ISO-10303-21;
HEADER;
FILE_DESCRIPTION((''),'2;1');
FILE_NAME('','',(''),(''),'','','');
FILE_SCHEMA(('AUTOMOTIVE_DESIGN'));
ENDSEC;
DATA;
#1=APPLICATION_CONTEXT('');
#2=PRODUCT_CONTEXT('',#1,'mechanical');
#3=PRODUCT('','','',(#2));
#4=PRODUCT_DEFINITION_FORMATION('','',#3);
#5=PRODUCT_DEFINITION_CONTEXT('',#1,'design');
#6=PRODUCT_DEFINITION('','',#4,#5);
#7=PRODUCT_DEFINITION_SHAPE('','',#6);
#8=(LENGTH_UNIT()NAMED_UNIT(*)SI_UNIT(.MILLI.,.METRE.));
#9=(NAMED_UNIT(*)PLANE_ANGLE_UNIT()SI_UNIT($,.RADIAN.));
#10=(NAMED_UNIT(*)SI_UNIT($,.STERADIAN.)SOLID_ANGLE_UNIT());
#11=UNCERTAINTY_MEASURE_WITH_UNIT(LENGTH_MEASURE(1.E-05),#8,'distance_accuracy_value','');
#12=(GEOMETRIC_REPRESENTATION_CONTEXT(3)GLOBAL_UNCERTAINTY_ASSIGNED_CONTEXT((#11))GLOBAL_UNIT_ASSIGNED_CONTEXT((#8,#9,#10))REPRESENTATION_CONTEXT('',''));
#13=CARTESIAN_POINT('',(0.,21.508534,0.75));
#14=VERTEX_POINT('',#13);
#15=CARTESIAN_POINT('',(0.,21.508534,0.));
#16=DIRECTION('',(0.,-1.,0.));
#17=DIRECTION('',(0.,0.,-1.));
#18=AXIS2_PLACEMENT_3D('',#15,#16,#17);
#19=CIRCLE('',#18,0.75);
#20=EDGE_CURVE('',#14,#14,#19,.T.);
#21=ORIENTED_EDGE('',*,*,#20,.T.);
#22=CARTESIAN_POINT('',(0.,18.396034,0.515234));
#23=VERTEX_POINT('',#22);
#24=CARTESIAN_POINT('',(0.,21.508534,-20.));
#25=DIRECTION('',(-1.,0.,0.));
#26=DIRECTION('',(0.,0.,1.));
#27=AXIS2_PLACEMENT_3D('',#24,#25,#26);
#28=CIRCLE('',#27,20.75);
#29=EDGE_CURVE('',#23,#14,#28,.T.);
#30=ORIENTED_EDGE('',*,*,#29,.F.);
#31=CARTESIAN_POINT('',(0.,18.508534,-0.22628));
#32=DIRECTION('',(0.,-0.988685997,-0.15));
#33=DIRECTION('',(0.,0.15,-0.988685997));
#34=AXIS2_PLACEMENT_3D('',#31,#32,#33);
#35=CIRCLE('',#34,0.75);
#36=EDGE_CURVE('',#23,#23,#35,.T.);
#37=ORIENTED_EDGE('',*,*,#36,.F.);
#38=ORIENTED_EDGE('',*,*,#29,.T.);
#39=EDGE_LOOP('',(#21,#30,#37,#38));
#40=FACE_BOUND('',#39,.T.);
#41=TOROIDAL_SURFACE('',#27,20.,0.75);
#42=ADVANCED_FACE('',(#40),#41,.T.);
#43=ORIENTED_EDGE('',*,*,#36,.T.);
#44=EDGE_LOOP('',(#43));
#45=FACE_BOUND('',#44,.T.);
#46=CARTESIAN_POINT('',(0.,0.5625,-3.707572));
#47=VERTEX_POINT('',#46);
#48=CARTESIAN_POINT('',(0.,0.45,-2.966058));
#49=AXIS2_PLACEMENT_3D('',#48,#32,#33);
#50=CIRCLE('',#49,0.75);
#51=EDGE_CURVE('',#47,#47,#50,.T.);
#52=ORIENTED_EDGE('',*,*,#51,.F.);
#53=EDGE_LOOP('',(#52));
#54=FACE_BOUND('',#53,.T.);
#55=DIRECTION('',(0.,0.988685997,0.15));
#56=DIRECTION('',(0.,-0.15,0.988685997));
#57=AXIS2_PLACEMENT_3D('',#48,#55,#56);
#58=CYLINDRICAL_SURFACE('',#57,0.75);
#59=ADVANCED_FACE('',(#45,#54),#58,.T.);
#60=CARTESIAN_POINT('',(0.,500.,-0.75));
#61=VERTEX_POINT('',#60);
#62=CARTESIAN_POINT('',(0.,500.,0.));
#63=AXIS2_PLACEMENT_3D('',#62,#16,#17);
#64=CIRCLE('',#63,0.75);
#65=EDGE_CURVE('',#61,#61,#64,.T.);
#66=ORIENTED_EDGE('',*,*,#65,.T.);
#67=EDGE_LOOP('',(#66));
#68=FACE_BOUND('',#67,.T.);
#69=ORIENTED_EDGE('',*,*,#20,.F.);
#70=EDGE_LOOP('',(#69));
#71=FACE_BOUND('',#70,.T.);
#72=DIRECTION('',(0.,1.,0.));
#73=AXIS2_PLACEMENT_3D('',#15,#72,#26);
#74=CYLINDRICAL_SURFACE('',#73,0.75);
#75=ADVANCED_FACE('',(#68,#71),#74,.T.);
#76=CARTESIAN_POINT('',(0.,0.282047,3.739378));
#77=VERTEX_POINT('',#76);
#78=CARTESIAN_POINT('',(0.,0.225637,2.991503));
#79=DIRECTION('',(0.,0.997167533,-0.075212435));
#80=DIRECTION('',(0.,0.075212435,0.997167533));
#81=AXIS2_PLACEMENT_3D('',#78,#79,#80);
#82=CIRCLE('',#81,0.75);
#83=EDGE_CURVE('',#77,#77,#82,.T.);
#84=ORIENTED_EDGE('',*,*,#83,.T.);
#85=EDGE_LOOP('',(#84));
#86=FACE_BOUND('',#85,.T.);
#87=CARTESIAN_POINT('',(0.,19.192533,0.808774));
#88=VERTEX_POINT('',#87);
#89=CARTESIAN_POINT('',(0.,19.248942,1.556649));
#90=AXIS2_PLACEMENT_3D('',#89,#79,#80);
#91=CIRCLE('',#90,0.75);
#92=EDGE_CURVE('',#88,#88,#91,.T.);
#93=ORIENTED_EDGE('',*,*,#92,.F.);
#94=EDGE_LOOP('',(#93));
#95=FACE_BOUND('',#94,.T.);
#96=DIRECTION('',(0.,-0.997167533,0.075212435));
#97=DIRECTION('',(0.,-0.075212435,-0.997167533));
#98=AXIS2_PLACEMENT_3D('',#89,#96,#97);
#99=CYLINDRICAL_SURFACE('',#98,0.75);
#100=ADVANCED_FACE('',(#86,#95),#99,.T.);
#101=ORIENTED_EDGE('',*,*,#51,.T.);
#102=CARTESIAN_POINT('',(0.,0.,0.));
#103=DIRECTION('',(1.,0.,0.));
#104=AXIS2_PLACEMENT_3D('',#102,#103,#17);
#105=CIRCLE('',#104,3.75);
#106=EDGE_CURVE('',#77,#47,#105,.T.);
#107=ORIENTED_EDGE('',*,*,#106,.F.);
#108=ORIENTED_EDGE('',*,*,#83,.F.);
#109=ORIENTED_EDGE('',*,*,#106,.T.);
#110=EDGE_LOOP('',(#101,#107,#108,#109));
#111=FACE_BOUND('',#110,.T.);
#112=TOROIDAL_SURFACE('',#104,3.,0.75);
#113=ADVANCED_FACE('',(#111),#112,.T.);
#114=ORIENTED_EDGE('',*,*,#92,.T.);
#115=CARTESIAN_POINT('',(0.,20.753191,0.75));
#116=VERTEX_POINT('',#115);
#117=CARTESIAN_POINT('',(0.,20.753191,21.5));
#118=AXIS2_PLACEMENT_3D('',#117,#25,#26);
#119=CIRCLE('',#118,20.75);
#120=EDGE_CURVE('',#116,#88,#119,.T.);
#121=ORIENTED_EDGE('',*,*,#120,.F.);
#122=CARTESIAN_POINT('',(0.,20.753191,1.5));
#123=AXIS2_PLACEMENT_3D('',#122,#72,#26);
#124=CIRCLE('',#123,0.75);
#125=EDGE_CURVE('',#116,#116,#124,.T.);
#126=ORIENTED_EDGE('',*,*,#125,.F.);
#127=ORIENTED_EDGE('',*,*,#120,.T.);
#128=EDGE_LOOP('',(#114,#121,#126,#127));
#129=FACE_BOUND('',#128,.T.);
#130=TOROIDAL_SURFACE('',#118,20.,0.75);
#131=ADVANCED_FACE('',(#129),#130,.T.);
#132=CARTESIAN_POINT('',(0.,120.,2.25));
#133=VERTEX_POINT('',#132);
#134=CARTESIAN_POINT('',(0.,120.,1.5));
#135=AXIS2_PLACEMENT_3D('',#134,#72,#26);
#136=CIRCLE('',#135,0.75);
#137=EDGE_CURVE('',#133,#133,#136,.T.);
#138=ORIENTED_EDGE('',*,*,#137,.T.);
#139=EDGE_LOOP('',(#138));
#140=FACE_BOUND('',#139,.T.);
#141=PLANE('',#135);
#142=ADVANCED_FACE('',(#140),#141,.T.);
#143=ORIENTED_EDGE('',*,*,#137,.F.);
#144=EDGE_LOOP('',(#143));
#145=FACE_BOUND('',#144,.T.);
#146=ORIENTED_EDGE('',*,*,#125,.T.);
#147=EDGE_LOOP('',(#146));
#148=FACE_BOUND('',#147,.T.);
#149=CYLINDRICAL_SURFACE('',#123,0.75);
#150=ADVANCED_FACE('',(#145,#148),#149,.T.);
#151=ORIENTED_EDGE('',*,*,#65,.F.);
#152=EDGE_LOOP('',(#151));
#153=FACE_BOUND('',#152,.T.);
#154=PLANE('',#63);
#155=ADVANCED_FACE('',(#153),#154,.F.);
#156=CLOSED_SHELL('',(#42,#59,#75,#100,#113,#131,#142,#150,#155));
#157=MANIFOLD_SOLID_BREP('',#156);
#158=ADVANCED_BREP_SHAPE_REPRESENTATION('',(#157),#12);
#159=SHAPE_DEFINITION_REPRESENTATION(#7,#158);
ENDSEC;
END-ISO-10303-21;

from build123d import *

# Parameters (mm, degrees)
SKETCH2_R = 0.75


with BuildPart() as part:
    # Sweep1: sweep along a path in Sketch1
    with BuildLine(Plane(origin=(0, 0, 0), x_dir=(0, 0, -1), z_dir=(1, 0, 0))) as sweep1_path:
        Line((0, 500), (0, 21.508533778))
        ThreePointArc((0, 21.508533778), (0.056650248, 20.004272941), (0.226280067, 18.508533778))
        Line((0.226280067, 18.508533778), (2.96605799, 0.45))
        ThreePointArc((2.96605799, 0.45), (0.112900451, -2.997874829), (-2.9915026, 0.225637305))
        Line((-2.9915026, 0.225637305), (-1.556649332, 19.248942344))
        ThreePointArc((-1.556649332, 19.248942344), (-1.514167351, 20.000533536), (-1.5, 20.753191044))
        Line((-1.5, 20.753191044), (-1.5, 120))
    # Sketch2 → Sweep1 (sweep)
    with BuildSketch(Plane(origin=(0, 120, 1.5), x_dir=(-1, 0, 0), z_dir=(0, 1, 0))):
        Circle(SKETCH2_R)
    sweep(path=sweep1_path.line)


solid = part.part
